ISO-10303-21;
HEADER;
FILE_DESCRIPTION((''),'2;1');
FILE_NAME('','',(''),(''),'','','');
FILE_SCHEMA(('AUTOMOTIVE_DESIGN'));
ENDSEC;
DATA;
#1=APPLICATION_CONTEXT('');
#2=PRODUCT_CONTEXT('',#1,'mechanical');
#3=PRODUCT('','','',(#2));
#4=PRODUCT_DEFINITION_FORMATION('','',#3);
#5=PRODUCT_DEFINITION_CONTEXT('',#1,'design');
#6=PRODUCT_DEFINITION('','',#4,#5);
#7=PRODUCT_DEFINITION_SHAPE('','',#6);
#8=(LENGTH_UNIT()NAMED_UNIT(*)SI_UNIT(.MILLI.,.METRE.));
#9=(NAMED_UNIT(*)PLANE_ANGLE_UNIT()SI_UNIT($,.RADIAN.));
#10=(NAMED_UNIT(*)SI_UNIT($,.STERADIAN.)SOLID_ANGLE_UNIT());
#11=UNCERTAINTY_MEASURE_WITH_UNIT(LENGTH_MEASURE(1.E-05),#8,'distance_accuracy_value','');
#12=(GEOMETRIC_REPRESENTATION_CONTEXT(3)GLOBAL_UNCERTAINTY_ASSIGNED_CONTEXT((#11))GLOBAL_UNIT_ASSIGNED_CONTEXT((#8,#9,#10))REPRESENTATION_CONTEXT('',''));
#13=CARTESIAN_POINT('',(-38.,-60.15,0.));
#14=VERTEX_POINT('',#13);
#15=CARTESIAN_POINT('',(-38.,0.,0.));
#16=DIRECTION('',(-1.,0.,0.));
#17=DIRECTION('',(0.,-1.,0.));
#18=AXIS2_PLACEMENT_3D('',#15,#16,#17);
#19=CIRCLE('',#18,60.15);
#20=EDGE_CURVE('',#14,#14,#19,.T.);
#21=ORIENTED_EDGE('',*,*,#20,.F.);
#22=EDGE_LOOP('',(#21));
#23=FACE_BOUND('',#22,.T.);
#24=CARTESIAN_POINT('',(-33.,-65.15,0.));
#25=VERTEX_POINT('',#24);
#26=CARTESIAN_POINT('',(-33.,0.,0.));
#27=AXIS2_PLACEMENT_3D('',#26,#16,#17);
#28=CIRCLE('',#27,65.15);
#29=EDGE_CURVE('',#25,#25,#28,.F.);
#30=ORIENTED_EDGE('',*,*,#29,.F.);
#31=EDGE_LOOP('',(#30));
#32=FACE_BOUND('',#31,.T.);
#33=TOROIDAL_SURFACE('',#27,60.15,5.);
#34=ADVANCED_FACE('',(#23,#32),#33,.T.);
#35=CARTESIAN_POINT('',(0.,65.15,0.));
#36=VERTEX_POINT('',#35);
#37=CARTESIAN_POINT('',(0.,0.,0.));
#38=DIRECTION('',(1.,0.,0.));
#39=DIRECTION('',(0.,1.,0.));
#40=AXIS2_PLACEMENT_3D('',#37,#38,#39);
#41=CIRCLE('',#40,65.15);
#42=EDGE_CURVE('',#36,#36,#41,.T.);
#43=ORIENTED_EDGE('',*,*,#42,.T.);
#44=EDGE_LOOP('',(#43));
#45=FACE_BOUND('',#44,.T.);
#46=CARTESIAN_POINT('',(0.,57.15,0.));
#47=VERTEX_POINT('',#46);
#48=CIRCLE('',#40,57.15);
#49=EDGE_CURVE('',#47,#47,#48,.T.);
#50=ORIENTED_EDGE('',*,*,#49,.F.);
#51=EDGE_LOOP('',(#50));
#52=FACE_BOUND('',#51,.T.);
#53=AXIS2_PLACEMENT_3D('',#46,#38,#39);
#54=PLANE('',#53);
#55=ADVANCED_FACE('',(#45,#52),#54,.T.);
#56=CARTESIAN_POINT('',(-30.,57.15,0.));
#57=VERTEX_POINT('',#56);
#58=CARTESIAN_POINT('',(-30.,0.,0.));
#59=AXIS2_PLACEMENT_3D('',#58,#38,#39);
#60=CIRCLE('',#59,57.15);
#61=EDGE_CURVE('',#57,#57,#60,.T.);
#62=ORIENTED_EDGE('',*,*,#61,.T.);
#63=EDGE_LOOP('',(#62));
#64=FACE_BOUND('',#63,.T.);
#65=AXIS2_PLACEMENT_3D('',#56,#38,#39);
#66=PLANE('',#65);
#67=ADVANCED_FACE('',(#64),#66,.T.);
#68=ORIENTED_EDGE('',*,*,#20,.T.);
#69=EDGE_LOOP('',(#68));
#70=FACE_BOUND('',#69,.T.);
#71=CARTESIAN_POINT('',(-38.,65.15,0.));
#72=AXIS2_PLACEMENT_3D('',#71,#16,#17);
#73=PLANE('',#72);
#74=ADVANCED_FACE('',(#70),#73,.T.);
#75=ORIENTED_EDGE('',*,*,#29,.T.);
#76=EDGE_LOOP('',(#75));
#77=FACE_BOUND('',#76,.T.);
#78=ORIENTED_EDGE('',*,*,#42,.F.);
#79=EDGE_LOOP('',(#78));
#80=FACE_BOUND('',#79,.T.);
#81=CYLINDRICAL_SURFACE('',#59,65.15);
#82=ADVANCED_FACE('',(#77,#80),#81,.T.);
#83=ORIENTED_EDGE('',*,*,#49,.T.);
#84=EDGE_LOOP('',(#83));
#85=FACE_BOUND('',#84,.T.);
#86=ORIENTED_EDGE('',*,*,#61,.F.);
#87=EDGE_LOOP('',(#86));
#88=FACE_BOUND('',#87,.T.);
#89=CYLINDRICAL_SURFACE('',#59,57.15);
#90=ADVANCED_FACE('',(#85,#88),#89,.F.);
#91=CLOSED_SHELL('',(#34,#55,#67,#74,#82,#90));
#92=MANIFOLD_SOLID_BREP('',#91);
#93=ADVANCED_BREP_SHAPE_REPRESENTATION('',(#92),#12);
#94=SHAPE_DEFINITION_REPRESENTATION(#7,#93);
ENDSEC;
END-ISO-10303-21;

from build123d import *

# Parameters (mm, degrees)
REDONDEO1_R = 5


with BuildPart() as part:
    # Croquis2 → Revolución1 (revolve)
    with BuildSketch(Plane.XY):
        Polygon((0, 57.15), (-30, 57.15), (-30, 0), (-38, 0), (-38, 65.15), (0, 65.15), align=None)
    revolve(axis=Axis((-30, 0, 0), (-1, 0, 0)))

    # Redondeo1
    redondeo1_edges = [part.edges().sort_by_distance(p)[0] for p in [
        (-38, -65.15, 0),
    ]]
    fillet(redondeo1_edges, radius=REDONDEO1_R)


solid = part.part
